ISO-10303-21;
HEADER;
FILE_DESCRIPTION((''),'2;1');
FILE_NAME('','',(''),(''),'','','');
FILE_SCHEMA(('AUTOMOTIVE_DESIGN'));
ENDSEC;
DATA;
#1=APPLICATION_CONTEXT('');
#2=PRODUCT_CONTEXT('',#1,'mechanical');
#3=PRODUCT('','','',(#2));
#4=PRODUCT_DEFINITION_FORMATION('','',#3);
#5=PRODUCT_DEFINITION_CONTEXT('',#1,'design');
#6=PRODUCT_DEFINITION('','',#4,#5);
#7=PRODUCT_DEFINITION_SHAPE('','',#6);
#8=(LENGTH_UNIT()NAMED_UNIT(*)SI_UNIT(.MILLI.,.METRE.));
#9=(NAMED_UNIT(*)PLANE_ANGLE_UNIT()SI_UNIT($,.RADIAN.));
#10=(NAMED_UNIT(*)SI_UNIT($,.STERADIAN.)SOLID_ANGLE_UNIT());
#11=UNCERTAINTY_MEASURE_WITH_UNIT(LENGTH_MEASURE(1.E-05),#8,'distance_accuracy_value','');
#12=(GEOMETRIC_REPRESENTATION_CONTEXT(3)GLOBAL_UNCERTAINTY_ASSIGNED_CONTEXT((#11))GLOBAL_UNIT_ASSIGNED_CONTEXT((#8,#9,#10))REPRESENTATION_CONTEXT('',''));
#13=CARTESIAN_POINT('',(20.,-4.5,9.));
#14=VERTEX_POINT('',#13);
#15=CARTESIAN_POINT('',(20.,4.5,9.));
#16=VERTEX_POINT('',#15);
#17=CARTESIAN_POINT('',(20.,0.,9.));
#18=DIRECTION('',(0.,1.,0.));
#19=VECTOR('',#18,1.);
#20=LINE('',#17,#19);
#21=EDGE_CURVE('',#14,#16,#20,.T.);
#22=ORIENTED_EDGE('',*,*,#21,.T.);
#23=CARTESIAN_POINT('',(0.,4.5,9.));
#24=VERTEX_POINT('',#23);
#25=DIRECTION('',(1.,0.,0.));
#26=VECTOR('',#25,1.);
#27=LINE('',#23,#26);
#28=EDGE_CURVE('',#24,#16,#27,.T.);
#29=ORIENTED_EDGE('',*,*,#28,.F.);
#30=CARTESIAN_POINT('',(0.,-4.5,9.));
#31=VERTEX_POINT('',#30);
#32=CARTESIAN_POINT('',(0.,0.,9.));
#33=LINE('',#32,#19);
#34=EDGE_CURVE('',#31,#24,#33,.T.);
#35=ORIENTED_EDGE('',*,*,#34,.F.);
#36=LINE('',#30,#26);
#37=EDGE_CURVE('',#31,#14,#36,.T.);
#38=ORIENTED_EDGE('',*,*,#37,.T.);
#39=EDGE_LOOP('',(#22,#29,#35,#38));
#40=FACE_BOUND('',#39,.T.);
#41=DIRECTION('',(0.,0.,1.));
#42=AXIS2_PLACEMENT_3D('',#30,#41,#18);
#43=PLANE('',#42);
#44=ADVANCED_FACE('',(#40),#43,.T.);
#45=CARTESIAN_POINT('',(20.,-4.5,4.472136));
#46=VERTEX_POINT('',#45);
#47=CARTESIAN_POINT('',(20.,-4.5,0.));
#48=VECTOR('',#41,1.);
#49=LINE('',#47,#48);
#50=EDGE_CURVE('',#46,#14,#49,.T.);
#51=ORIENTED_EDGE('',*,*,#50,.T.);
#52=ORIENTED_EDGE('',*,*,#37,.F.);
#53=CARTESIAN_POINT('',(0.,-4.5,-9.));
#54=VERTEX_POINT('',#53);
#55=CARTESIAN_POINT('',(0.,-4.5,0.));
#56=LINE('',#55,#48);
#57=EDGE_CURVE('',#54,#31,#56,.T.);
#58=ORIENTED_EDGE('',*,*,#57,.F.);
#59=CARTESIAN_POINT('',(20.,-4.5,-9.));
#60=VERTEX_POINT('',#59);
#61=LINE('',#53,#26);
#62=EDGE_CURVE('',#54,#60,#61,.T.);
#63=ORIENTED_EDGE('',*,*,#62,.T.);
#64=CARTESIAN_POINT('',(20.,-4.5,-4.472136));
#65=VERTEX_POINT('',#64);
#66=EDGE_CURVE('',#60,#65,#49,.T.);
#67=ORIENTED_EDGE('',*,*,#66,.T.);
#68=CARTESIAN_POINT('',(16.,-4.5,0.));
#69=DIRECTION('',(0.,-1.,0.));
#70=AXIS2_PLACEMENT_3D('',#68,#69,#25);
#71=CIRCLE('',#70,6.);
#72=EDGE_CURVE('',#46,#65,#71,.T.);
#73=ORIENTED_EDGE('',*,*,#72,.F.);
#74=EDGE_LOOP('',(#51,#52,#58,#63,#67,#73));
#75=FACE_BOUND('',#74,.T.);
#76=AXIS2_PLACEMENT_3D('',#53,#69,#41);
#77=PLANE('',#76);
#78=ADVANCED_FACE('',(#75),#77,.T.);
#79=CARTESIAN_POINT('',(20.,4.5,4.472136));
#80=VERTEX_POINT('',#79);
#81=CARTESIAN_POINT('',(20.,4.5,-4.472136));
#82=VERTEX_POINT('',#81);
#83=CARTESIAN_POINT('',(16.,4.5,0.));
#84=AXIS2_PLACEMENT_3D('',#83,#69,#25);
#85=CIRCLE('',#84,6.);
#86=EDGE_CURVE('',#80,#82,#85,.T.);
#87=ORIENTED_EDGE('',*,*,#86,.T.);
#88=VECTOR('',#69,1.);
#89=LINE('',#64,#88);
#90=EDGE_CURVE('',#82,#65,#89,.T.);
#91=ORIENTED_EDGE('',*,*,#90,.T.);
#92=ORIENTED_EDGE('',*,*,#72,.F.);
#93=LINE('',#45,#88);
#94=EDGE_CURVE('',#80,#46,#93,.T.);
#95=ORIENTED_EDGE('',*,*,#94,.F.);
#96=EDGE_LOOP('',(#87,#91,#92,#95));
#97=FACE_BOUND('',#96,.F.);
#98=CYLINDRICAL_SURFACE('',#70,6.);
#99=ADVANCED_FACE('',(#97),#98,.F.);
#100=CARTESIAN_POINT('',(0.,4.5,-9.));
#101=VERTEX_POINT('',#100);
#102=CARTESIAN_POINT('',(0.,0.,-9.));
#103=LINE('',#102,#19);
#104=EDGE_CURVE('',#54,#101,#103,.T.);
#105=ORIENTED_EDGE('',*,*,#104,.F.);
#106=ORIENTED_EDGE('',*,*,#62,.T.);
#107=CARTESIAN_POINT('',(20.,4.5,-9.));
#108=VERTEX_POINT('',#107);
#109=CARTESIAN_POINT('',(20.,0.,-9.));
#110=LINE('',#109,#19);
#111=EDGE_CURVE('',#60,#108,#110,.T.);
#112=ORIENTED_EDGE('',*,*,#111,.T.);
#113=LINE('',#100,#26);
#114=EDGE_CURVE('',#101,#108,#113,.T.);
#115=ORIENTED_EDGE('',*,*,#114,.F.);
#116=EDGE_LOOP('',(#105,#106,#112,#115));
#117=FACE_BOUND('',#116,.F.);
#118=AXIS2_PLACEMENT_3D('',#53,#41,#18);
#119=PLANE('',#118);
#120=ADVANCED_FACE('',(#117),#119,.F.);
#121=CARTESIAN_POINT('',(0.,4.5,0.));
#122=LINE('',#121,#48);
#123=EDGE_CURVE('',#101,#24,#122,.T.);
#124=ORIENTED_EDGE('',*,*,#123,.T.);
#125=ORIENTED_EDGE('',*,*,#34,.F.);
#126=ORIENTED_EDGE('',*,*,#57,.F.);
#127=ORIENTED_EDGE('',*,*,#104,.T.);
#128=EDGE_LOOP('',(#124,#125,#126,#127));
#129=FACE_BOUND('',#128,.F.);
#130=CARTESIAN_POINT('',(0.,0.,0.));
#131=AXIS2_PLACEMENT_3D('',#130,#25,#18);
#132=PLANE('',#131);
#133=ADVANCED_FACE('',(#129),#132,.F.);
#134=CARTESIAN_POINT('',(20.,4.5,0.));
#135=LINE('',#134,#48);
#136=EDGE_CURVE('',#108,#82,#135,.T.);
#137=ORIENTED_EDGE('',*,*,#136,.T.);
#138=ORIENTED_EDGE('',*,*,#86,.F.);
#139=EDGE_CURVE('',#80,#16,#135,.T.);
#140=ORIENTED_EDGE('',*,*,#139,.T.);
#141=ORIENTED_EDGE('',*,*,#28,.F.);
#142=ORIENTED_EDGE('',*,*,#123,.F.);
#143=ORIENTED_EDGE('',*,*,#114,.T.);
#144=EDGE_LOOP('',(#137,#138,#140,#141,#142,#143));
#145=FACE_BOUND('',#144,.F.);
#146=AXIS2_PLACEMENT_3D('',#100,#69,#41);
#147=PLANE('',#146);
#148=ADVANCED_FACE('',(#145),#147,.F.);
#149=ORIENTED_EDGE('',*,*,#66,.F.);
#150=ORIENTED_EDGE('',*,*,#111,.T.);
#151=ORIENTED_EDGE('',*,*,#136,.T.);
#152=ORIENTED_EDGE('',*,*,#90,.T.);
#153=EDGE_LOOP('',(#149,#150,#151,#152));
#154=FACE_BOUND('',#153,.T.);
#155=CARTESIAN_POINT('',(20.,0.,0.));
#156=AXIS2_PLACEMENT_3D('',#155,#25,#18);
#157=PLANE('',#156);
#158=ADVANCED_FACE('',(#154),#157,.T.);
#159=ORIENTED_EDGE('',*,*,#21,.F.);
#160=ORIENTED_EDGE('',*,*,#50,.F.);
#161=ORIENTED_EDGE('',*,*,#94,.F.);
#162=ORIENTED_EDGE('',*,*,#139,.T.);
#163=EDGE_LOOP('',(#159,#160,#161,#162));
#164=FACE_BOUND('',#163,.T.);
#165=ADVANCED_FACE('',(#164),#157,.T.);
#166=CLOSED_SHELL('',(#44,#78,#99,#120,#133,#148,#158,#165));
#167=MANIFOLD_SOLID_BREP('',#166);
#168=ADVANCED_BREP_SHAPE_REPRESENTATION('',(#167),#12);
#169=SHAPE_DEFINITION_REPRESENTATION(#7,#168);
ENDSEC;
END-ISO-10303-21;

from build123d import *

# Parameters (mm, degrees)
F0_W     = 9
F0_H     = 18
F1_DEPTH = 20
F2_R     = 6
F3_DEPTH = 25


with BuildPart() as f1:
    # F0 (on Right) → F1 (new body)
    with BuildSketch(Plane.YZ):
        Rectangle(F0_W, F0_H)
    extrude(amount=F1_DEPTH)

    # F2 (on face) → F3 (cut)
    with BuildSketch(Plane.XZ.offset(4.5)):
        with Locations((16, 0)):
            Circle(F2_R)
    extrude(amount=-F3_DEPTH, mode=Mode.SUBTRACT)


solid = f1.part
